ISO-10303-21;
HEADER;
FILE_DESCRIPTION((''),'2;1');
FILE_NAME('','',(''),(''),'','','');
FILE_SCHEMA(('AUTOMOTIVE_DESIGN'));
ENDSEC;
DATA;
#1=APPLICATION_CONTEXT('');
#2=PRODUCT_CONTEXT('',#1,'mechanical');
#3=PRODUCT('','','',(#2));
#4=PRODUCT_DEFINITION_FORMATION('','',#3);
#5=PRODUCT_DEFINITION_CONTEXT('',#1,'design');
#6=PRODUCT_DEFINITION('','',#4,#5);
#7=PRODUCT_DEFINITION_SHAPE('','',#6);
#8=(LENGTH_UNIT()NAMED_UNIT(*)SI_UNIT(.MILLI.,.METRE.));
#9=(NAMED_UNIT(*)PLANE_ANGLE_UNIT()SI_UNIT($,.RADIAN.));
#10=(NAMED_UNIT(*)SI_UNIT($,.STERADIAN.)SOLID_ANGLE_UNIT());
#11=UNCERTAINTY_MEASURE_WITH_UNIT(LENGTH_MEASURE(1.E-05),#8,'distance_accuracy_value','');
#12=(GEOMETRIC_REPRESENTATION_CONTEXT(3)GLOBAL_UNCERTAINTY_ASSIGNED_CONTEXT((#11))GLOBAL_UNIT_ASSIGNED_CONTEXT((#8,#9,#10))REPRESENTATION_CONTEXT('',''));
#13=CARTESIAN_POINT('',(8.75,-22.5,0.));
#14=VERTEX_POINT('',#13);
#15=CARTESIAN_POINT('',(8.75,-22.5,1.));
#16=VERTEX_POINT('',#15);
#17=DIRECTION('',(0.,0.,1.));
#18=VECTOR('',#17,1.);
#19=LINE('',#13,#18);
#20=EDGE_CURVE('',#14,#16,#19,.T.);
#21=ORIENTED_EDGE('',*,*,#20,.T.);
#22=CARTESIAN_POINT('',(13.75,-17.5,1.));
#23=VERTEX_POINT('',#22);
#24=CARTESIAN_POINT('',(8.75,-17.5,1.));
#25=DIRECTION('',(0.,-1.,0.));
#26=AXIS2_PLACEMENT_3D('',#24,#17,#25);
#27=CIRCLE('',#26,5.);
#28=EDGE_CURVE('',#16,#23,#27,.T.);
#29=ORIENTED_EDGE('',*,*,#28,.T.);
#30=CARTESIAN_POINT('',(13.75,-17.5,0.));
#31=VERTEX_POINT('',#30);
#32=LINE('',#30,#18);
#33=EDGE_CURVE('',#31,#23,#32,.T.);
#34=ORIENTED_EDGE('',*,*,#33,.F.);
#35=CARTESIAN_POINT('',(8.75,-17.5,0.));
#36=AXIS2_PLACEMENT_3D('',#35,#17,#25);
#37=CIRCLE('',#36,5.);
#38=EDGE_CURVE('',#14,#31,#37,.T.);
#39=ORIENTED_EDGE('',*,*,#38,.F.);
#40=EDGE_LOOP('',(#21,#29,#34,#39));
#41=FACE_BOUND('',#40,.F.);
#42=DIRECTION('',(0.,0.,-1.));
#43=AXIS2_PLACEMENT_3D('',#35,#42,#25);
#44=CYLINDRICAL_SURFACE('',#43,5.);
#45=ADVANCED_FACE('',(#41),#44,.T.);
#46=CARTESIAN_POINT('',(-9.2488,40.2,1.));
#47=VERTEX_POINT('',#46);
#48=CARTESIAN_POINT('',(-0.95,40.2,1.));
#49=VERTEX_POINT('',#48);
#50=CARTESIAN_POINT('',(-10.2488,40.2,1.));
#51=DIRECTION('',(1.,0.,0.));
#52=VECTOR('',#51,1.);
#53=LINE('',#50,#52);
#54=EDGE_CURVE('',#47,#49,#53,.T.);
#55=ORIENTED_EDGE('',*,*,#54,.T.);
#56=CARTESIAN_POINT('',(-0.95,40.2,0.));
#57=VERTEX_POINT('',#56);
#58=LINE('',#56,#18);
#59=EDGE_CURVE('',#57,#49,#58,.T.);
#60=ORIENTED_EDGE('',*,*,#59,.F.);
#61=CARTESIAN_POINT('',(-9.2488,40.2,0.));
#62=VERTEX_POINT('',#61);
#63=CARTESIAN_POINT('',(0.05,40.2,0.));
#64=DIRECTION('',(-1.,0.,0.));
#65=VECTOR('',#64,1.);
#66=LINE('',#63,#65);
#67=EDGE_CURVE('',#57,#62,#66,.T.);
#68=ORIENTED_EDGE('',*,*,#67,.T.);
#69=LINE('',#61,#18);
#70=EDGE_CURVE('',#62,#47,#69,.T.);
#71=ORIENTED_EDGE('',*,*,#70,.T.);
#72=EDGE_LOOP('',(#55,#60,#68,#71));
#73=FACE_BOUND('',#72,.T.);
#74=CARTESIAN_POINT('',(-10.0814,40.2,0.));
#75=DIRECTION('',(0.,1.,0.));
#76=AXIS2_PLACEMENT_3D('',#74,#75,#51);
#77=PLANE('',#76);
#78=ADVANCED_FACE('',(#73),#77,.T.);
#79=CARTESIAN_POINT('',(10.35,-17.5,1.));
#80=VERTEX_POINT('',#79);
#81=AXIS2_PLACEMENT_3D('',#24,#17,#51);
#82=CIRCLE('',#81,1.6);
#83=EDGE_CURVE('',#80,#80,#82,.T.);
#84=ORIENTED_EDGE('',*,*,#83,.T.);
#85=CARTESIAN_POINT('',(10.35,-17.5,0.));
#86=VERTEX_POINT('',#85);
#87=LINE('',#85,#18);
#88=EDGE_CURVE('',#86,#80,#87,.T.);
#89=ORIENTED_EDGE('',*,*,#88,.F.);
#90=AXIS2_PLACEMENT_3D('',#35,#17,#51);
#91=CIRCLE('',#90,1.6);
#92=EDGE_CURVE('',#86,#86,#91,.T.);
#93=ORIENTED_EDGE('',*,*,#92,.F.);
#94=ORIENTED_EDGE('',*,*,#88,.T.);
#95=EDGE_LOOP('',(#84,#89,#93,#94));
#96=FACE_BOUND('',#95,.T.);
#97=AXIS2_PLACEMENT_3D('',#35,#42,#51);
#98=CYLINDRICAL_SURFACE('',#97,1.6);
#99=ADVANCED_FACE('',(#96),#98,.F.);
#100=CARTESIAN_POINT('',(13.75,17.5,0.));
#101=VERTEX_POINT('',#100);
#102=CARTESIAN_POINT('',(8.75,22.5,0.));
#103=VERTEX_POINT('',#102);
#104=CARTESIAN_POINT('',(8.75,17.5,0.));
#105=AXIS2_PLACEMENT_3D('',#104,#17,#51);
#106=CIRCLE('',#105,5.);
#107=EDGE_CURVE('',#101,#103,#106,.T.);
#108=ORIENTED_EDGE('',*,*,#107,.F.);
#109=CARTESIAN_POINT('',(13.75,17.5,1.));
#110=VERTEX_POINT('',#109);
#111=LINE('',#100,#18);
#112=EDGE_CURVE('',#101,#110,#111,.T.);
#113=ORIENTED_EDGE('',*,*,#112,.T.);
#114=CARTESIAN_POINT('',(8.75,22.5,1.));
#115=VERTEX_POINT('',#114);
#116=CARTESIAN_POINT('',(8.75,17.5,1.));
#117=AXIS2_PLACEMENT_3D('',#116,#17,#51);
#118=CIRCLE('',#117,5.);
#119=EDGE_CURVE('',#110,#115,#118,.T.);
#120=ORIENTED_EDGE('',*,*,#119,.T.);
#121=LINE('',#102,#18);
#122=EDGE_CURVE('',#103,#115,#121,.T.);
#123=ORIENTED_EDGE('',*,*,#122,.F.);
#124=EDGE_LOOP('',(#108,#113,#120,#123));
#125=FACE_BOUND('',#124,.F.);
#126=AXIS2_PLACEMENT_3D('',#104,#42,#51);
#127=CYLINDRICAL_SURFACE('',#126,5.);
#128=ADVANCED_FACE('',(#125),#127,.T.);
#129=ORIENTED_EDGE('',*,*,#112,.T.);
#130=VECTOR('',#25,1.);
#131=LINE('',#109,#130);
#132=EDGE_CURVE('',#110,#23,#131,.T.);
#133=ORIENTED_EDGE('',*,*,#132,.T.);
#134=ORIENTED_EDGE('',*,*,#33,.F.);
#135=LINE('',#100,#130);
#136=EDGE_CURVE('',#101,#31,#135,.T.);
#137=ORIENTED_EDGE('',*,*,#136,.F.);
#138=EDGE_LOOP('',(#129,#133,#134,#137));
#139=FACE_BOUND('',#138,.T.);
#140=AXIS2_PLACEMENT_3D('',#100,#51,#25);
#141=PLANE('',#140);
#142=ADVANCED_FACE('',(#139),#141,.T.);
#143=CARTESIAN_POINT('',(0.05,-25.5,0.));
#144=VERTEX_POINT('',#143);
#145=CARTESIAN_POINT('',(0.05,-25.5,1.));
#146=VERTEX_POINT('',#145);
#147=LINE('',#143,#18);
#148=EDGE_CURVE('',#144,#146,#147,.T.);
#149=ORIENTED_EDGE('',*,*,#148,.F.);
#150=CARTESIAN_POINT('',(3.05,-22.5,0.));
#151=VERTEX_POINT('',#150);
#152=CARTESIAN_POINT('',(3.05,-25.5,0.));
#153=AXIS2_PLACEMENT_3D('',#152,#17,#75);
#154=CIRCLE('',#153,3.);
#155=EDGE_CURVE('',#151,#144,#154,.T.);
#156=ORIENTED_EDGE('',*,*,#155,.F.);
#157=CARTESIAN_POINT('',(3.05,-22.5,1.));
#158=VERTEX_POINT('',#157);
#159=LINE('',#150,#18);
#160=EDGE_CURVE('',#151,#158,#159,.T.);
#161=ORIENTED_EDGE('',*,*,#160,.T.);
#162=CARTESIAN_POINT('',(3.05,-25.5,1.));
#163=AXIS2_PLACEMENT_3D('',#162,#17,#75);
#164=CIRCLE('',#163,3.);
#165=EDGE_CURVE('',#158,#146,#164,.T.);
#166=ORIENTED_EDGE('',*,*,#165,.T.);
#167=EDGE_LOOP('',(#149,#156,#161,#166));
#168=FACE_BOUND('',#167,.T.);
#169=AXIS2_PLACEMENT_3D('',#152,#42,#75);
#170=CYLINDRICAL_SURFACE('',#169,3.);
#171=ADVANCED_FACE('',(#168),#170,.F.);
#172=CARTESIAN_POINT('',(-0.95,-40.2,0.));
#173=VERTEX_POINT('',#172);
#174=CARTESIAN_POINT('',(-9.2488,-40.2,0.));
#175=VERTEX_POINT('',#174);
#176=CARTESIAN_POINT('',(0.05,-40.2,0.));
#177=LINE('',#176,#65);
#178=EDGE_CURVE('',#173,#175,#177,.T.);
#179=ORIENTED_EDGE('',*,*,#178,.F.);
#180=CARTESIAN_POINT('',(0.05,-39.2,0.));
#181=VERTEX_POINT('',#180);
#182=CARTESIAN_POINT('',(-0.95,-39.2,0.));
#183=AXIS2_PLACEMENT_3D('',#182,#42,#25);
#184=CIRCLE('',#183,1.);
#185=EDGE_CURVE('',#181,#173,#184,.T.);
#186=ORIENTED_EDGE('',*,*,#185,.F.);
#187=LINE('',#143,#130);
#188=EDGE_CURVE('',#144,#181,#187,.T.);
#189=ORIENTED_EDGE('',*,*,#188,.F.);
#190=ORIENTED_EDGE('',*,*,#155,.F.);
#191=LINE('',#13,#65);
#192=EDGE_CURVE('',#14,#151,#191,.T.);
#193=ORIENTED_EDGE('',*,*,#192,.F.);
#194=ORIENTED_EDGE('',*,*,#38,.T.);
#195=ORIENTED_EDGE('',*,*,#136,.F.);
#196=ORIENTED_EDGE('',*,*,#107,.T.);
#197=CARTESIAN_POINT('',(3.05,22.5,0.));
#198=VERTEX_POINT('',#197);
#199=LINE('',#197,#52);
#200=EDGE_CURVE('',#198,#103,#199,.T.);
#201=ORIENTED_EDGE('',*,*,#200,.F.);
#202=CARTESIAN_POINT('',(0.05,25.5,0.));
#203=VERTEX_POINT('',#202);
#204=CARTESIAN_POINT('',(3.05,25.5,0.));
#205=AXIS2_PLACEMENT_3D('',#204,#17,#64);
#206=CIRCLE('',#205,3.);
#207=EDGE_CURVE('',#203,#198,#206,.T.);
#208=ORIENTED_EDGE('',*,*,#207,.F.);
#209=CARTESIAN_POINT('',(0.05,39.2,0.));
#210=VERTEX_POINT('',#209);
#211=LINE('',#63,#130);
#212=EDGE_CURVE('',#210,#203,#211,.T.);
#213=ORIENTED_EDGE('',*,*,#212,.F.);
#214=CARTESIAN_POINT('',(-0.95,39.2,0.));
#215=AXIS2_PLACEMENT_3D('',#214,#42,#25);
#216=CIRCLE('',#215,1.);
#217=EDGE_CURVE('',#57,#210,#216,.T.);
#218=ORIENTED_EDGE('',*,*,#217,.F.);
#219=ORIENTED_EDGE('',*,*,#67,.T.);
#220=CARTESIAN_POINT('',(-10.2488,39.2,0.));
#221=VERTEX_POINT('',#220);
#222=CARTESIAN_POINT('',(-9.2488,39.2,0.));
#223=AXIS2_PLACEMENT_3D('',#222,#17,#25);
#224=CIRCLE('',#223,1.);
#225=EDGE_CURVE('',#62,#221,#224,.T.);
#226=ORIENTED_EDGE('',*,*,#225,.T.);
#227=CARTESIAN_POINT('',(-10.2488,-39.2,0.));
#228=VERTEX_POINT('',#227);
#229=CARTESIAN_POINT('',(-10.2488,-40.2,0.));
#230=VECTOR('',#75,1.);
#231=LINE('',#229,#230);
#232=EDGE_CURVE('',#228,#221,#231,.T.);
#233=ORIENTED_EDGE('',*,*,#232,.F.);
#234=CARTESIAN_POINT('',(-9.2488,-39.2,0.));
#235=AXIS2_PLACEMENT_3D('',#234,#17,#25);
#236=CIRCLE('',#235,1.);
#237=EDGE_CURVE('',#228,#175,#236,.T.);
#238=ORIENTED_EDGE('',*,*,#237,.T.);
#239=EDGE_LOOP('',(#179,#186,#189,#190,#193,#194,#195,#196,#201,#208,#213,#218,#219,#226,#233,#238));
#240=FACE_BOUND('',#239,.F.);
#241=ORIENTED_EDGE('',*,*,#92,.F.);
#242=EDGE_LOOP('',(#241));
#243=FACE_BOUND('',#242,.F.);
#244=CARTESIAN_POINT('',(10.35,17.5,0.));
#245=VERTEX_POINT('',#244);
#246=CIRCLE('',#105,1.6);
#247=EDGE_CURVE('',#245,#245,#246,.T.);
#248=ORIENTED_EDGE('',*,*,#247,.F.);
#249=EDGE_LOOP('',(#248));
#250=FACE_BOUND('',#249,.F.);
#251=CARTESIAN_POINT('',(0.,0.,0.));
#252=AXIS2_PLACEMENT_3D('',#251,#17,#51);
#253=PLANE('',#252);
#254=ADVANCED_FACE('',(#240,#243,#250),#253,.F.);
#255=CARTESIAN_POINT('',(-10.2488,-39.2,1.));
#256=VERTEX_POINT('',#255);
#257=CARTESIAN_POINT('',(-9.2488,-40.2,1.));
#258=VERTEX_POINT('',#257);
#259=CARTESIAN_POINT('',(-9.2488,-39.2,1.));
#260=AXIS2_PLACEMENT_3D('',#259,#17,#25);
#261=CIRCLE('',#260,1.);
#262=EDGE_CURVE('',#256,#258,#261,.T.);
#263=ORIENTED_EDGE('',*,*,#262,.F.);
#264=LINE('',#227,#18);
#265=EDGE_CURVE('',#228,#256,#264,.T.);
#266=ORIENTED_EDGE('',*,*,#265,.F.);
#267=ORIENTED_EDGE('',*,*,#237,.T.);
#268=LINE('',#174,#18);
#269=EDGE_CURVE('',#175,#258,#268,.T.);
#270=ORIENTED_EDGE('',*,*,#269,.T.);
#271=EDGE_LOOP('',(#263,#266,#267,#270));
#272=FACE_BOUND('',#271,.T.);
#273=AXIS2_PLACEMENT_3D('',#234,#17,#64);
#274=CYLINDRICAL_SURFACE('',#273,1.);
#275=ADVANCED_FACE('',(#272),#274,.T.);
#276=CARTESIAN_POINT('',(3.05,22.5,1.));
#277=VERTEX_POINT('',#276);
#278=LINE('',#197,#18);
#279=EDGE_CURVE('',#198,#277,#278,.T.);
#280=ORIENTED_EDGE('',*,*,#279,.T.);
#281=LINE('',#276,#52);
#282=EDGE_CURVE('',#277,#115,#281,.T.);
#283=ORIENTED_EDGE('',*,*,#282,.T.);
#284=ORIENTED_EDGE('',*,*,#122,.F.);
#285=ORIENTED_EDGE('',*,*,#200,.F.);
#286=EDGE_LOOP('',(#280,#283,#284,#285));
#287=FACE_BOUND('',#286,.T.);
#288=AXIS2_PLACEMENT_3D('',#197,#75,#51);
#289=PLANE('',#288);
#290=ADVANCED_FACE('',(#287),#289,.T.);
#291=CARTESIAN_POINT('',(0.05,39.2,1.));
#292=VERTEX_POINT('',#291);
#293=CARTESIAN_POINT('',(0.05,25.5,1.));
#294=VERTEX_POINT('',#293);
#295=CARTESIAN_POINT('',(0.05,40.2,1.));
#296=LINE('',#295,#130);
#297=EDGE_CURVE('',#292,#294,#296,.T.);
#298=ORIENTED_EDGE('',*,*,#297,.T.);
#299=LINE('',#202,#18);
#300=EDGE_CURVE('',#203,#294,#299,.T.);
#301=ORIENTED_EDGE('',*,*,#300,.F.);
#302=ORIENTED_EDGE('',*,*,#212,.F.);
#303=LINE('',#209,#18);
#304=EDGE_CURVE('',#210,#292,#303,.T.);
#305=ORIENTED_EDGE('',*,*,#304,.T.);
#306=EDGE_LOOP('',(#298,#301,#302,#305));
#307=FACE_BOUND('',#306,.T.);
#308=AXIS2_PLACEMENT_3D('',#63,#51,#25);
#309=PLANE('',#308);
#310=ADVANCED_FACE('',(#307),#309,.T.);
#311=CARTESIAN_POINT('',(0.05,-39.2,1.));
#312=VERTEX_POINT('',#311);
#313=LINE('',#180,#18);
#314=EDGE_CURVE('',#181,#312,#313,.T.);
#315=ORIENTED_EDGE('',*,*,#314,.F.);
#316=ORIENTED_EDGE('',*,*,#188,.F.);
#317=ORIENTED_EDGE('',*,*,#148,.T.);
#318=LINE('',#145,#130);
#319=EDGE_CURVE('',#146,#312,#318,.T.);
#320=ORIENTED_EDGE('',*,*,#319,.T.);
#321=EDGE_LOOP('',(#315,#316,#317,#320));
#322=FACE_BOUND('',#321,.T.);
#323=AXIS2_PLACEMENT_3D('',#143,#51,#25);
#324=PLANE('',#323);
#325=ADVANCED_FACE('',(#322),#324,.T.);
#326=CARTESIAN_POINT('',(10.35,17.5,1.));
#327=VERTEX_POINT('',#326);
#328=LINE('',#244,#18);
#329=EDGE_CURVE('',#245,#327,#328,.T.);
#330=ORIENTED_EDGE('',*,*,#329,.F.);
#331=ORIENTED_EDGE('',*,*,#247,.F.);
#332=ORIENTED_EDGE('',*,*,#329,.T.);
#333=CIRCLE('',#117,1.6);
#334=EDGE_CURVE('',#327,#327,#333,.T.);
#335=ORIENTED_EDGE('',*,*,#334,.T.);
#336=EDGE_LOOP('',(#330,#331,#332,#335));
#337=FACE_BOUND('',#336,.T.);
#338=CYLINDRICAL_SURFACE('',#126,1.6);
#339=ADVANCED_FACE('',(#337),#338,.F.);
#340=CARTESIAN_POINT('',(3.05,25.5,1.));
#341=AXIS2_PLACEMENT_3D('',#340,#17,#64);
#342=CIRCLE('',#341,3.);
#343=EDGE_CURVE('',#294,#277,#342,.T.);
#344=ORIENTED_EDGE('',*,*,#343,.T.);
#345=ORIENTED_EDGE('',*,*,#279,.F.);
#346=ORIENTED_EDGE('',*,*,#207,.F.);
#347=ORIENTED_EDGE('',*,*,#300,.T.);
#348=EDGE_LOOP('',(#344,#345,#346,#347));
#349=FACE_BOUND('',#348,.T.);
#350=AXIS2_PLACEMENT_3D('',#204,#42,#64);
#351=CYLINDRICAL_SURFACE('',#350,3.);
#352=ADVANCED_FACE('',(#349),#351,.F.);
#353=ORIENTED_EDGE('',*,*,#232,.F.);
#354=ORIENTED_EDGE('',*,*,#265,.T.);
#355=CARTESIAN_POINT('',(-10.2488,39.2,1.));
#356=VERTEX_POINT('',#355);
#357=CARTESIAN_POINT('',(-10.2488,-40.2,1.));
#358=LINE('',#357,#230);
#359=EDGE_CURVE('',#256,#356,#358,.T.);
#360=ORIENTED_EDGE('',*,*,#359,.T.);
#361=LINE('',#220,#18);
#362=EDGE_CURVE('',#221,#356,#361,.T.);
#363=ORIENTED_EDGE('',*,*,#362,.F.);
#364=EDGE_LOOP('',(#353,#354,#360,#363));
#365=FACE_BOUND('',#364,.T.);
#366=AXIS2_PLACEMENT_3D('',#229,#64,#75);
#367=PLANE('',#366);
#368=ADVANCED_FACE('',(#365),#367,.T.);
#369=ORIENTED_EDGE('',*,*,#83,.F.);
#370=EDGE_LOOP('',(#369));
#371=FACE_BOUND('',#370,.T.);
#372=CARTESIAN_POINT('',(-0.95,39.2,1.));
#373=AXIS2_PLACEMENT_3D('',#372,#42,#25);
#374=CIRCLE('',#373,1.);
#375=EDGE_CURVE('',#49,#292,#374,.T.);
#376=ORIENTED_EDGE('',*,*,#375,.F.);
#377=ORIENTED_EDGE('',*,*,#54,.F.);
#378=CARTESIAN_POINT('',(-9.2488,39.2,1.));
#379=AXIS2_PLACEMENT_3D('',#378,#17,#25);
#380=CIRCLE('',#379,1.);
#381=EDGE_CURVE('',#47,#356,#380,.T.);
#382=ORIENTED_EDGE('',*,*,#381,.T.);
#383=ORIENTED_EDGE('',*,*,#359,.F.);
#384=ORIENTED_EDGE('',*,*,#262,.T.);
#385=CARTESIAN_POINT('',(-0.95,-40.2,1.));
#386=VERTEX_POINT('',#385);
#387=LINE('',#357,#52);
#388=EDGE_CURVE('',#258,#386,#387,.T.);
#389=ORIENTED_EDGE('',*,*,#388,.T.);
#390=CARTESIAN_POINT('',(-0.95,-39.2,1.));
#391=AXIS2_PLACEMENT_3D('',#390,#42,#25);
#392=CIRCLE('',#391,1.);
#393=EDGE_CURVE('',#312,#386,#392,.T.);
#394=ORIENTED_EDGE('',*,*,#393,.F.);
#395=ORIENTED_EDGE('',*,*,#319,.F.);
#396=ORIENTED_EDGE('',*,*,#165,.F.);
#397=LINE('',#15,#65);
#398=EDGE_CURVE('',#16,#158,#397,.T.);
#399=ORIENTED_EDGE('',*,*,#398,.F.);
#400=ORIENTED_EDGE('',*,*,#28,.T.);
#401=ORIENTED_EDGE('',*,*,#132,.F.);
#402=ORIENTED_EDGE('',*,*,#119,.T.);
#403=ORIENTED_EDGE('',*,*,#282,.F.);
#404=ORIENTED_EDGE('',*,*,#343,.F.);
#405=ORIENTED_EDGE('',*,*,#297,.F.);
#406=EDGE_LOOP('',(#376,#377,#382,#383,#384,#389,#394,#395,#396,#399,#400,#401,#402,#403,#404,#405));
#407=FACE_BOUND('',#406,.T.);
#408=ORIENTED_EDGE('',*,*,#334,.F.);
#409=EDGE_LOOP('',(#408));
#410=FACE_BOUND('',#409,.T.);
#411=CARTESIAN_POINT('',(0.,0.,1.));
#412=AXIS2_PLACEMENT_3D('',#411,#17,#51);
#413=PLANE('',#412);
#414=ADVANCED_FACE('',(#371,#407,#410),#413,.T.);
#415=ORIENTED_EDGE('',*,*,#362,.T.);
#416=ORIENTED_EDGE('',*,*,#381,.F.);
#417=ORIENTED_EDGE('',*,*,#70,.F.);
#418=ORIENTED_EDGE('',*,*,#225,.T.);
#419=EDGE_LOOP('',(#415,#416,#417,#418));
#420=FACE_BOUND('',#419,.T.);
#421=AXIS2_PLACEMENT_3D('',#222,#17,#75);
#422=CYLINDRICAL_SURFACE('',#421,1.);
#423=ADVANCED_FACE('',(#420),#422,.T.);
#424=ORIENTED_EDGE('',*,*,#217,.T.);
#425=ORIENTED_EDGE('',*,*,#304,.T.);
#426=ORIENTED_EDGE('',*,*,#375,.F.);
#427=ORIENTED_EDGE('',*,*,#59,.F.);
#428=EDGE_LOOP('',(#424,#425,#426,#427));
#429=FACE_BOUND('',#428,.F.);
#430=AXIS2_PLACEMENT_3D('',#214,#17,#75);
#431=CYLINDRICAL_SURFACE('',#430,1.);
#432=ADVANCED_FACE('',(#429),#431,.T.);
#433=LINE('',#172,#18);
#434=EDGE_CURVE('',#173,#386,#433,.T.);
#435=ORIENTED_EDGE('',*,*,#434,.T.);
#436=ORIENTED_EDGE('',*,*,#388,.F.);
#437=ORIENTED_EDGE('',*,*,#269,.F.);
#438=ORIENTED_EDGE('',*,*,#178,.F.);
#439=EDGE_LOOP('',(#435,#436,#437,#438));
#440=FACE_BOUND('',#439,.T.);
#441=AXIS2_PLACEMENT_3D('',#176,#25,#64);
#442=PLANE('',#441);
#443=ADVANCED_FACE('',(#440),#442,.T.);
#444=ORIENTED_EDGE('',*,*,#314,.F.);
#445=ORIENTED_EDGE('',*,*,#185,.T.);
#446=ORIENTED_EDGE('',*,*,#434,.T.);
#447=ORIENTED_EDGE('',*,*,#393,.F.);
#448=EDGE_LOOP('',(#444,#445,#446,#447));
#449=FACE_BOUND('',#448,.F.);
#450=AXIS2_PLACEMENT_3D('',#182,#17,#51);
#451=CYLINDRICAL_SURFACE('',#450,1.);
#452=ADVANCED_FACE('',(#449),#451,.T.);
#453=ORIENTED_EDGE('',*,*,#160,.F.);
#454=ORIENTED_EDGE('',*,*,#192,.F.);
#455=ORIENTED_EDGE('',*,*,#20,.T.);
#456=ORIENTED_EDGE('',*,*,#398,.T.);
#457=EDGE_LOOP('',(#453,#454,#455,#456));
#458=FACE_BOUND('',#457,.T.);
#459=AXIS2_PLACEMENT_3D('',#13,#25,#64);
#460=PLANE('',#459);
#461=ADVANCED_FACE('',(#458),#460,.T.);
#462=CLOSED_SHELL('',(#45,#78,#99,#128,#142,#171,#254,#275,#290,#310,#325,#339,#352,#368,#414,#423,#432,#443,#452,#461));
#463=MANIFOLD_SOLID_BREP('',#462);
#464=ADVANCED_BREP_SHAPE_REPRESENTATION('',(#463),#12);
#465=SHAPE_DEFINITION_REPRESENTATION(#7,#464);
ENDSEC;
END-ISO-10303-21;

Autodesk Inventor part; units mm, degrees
ref_plane "YZ Plane" through (0, 0, 0) normal (1, 0, 0) x (0, 1, 0)
ref_plane "XZ Plane" through (0, 0, 0) normal (0, 1, 0) x (-1, 0, 0)
ref_plane "XY Plane" through (0, 0, 0) normal (0, 0, 1) x (1, 0, 0)
sketch "Эскиз1" plane through (0, 0, 0) normal (0, 0, 1) x (1, 0, 0)
  line L0 (0.35, -40.5) -> (-10.0814, -40.5) projected
  line L1 (0.35, -25.5) -> (0.35, -40.5) projected
  arc A0 (3.05, -22.8) -> (0.35, -25.5) centre (3.05, -25.5) ccw projected
  line L2 (8.75, -22.8) -> (3.05, -22.8) projected
  arc A1 (8.75, -22.8) -> (14.05, -17.5) centre (8.75, -17.5) ccw projected
  line L3 (14.05, 17.5) -> (14.05, -17.5) projected
  arc A2 (14.05, 17.5) -> (8.75, 22.8) centre (8.75, 17.5) ccw projected
  line L4 (3.05, 22.8) -> (8.75, 22.8) projected
  arc A3 (0.35, 25.5) -> (3.05, 22.8) centre (3.05, 25.5) ccw projected
  line L5 (0.35, 40.5) -> (0.35, 25.5) projected
  line L6 (-10.0814, 40.5) -> (0.35, 40.5) projected
  circle A4 centre (8.75, -17.5) radius 2.1 projected
  circle A5 centre (8.75, 17.5) radius 2.1 projected
  line L7 (0.05, -40.2) -> (-10.2488, -40.2)
  line L8 (-10.2488, -40.2) -> (-10.2488, 40.2)
  line L9 (-10.2488, 40.2) -> (0.05, 40.2)
  line L10 (0.05, 40.2) -> (0.05, 25.5)
  arc A6 (0.05, 25.5) -> (3.05, 22.5) centre (3.05, 25.5) ccw
  line L11 (3.05, 22.5) -> (8.75, 22.5)
  arc A7 (13.75, 17.5) -> (8.75, 22.5) centre (8.75, 17.5) ccw
  line L12 (13.75, 17.5) -> (13.75, -17.5)
  arc A8 (8.75, -22.5) -> (13.75, -17.5) centre (8.75, -17.5) ccw
  line L13 (8.75, -22.5) -> (3.05, -22.5)
  arc A9 (3.05, -22.5) -> (0.05, -25.5) centre (3.05, -25.5) ccw
  line L14 (0.05, -25.5) -> (0.05, -40.2)
  circle A10 centre (8.75, -17.5) radius 1.6
  circle A11 centre (8.75, 17.5) radius 1.6
  line L15 (-10.0814, -40.5) -> (-10.0814, -6) projected
  line L16 (-10.0814, 6) -> (-10.0814, 40.5) projected
  line L17 (-10.0814, 6) -> (4.75, 6) projected
  line L18 (4.75, 6) -> (4.75, -6) projected
  line L19 (4.75, -6) -> (-10.0814, -6) projected
  dimension "d7" = 0.3
  dimension "d8" = 3.2
  dimension "d9" = 3.2
extrude "Выдавливание1" add sketch "Эскиз1" along normal blind 1 contours L15 L19 L18 L17 L16 L9 L10 A6 L11 A7 L12 A8 L13 A9 L14 L7 | L7 L8 L9 L16 L17 L18 L19 L15 | A4 | A5
fillet "Сопряжение1" radius 1 4 edges at (0.05, -40.2, 0.5) (0.05, 40.2, 0.5) (-10.2488, 40.2, 0.5) (-10.2488, -40.2, 0.5)
sketch "Эскиз2" plane through (0, 0, 1) normal (0, 0, 1) x (1, 0, 0)
  circle A0 centre (8.75, -17.5) radius 2.1 projected
  circle A1 centre (8.75, 17.5) radius 2.1 projected
  line L0 (-10.0814, -40.5) -> (-10.0814, -6) projected
  line L1 (0.35, -40.5) -> (-10.0814, -40.5) projected
  line L2 (0.35, -25.5) -> (0.35, -40.5) projected
  arc A2 (3.05, -22.8) -> (0.35, -25.5) centre (3.05, -25.5) ccw projected
  line L3 (8.75, -22.8) -> (3.05, -22.8) projected
  arc A3 (8.75, -22.8) -> (14.05, -17.5) centre (8.75, -17.5) ccw projected
  line L4 (14.05, 17.5) -> (14.05, -17.5) projected
  arc A4 (14.05, 17.5) -> (8.75, 22.8) centre (8.75, 17.5) ccw projected
  line L5 (3.05, 22.8) -> (8.75, 22.8) projected
  arc A5 (0.35, 25.5) -> (3.05, 22.8) centre (3.05, 25.5) ccw projected
  line L6 (0.35, 40.5) -> (0.35, 25.5) projected
  line L7 (-10.0814, 40.5) -> (0.35, 40.5) projected
  line L8 (-10.0814, 6) -> (-10.0814, 40.5) projected
  line L9 (-10.0814, 6) -> (4.75, 6) projected
  line L10 (4.75, 6) -> (4.75, -6) projected
  line L11 (4.75, -6) -> (-10.0814, -6) projected
  line L12 (13.75, -17.5) -> (13.75, 17.5) projected
  point P0 (0, 0)
  dimension "d10" = 9
properties part number "sensor_board"
